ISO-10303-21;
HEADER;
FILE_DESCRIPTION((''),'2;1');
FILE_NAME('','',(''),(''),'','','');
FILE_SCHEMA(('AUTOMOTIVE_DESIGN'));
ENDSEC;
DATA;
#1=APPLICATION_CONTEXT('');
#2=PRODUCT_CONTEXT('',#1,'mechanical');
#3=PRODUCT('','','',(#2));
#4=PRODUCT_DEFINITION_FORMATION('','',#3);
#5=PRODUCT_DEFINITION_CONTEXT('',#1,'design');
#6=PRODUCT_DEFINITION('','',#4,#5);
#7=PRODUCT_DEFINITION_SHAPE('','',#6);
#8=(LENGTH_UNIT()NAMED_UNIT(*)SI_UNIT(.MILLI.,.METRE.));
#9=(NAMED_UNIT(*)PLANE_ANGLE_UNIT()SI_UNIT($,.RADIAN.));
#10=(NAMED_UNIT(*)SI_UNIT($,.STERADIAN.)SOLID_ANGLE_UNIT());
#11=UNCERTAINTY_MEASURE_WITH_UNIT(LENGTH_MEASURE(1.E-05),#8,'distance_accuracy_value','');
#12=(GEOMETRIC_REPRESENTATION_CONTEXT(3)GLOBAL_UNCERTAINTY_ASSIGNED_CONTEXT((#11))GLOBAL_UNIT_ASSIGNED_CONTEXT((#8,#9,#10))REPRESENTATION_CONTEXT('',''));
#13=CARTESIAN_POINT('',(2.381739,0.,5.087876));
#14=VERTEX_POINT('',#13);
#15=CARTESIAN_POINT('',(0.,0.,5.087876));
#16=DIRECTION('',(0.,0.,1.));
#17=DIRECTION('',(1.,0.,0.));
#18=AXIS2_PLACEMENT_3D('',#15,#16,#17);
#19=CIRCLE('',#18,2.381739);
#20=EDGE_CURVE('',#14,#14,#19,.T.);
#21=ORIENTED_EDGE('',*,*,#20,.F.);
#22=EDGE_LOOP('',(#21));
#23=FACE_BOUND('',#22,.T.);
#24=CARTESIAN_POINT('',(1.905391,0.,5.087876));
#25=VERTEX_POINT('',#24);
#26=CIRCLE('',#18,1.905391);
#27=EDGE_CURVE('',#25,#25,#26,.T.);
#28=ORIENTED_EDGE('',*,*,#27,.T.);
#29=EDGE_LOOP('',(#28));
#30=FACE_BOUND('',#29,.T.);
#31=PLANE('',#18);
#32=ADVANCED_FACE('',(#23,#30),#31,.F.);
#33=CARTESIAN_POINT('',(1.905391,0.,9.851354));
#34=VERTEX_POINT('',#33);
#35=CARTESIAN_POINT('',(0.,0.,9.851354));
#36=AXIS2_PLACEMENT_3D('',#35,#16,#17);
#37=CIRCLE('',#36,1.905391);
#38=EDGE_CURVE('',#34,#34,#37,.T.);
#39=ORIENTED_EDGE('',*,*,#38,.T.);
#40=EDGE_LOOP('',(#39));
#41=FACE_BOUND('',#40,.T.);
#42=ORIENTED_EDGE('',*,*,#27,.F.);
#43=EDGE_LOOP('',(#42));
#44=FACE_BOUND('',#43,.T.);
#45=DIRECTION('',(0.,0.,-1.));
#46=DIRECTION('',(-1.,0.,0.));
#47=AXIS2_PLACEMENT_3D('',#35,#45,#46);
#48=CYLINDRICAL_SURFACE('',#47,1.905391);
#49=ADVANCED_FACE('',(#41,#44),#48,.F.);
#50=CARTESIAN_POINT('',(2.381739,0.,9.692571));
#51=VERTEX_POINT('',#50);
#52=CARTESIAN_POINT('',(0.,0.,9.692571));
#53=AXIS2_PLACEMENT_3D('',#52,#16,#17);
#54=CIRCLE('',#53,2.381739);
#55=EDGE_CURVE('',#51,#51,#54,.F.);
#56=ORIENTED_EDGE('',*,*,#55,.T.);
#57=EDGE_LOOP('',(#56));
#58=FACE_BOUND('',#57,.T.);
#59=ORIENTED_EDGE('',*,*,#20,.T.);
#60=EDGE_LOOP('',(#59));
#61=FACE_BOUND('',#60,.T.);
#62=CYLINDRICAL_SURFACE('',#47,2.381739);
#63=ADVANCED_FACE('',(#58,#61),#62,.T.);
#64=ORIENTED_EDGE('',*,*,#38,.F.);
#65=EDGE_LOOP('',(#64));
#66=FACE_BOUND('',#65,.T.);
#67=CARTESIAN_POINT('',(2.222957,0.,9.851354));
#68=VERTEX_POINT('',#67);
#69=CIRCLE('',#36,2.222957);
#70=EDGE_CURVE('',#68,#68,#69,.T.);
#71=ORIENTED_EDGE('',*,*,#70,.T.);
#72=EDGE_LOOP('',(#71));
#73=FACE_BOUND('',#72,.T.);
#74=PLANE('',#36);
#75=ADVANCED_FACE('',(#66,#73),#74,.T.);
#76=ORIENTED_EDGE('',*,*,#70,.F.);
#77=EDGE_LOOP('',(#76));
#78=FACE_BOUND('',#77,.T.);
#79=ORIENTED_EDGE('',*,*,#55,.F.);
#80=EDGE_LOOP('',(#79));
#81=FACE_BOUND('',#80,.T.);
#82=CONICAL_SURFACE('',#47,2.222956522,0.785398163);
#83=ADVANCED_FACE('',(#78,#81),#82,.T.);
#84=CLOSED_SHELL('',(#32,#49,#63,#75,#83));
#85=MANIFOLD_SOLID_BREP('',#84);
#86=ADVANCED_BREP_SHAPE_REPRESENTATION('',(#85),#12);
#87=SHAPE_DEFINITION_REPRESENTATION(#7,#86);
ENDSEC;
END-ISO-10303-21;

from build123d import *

# Parameters (mm, degrees)
SKETCH1_R           = 7.5
SKETCH1_R_2         = 6
BOSS_EXTRUDE1_DEPTH = 15
CHAMFER1_SIZE       = 0.5
SCALE1_SCALE        = 0.317565217


with BuildPart() as part:
    # Sketch1 → Boss-Extrude1 (new body)
    with BuildSketch(Plane.XY):
        Circle(SKETCH1_R)
        Circle(SKETCH1_R_2, mode=Mode.SUBTRACT)
    extrude(amount=BOSS_EXTRUDE1_DEPTH)

    # Chamfer1
    chamfer1_edges = [part.edges().sort_by_distance(p)[0] for p in [
        (-7.5, 0, 15),
    ]]
    chamfer(chamfer1_edges, length=CHAMFER1_SIZE)


with BuildPart() as part_1:
    # Scale1: scaled about (0, 0, 7.455475435)
    add(part.part.scale(SCALE1_SCALE).moved(Location((0, 0, 5.087875758))))


solid = part_1.part
